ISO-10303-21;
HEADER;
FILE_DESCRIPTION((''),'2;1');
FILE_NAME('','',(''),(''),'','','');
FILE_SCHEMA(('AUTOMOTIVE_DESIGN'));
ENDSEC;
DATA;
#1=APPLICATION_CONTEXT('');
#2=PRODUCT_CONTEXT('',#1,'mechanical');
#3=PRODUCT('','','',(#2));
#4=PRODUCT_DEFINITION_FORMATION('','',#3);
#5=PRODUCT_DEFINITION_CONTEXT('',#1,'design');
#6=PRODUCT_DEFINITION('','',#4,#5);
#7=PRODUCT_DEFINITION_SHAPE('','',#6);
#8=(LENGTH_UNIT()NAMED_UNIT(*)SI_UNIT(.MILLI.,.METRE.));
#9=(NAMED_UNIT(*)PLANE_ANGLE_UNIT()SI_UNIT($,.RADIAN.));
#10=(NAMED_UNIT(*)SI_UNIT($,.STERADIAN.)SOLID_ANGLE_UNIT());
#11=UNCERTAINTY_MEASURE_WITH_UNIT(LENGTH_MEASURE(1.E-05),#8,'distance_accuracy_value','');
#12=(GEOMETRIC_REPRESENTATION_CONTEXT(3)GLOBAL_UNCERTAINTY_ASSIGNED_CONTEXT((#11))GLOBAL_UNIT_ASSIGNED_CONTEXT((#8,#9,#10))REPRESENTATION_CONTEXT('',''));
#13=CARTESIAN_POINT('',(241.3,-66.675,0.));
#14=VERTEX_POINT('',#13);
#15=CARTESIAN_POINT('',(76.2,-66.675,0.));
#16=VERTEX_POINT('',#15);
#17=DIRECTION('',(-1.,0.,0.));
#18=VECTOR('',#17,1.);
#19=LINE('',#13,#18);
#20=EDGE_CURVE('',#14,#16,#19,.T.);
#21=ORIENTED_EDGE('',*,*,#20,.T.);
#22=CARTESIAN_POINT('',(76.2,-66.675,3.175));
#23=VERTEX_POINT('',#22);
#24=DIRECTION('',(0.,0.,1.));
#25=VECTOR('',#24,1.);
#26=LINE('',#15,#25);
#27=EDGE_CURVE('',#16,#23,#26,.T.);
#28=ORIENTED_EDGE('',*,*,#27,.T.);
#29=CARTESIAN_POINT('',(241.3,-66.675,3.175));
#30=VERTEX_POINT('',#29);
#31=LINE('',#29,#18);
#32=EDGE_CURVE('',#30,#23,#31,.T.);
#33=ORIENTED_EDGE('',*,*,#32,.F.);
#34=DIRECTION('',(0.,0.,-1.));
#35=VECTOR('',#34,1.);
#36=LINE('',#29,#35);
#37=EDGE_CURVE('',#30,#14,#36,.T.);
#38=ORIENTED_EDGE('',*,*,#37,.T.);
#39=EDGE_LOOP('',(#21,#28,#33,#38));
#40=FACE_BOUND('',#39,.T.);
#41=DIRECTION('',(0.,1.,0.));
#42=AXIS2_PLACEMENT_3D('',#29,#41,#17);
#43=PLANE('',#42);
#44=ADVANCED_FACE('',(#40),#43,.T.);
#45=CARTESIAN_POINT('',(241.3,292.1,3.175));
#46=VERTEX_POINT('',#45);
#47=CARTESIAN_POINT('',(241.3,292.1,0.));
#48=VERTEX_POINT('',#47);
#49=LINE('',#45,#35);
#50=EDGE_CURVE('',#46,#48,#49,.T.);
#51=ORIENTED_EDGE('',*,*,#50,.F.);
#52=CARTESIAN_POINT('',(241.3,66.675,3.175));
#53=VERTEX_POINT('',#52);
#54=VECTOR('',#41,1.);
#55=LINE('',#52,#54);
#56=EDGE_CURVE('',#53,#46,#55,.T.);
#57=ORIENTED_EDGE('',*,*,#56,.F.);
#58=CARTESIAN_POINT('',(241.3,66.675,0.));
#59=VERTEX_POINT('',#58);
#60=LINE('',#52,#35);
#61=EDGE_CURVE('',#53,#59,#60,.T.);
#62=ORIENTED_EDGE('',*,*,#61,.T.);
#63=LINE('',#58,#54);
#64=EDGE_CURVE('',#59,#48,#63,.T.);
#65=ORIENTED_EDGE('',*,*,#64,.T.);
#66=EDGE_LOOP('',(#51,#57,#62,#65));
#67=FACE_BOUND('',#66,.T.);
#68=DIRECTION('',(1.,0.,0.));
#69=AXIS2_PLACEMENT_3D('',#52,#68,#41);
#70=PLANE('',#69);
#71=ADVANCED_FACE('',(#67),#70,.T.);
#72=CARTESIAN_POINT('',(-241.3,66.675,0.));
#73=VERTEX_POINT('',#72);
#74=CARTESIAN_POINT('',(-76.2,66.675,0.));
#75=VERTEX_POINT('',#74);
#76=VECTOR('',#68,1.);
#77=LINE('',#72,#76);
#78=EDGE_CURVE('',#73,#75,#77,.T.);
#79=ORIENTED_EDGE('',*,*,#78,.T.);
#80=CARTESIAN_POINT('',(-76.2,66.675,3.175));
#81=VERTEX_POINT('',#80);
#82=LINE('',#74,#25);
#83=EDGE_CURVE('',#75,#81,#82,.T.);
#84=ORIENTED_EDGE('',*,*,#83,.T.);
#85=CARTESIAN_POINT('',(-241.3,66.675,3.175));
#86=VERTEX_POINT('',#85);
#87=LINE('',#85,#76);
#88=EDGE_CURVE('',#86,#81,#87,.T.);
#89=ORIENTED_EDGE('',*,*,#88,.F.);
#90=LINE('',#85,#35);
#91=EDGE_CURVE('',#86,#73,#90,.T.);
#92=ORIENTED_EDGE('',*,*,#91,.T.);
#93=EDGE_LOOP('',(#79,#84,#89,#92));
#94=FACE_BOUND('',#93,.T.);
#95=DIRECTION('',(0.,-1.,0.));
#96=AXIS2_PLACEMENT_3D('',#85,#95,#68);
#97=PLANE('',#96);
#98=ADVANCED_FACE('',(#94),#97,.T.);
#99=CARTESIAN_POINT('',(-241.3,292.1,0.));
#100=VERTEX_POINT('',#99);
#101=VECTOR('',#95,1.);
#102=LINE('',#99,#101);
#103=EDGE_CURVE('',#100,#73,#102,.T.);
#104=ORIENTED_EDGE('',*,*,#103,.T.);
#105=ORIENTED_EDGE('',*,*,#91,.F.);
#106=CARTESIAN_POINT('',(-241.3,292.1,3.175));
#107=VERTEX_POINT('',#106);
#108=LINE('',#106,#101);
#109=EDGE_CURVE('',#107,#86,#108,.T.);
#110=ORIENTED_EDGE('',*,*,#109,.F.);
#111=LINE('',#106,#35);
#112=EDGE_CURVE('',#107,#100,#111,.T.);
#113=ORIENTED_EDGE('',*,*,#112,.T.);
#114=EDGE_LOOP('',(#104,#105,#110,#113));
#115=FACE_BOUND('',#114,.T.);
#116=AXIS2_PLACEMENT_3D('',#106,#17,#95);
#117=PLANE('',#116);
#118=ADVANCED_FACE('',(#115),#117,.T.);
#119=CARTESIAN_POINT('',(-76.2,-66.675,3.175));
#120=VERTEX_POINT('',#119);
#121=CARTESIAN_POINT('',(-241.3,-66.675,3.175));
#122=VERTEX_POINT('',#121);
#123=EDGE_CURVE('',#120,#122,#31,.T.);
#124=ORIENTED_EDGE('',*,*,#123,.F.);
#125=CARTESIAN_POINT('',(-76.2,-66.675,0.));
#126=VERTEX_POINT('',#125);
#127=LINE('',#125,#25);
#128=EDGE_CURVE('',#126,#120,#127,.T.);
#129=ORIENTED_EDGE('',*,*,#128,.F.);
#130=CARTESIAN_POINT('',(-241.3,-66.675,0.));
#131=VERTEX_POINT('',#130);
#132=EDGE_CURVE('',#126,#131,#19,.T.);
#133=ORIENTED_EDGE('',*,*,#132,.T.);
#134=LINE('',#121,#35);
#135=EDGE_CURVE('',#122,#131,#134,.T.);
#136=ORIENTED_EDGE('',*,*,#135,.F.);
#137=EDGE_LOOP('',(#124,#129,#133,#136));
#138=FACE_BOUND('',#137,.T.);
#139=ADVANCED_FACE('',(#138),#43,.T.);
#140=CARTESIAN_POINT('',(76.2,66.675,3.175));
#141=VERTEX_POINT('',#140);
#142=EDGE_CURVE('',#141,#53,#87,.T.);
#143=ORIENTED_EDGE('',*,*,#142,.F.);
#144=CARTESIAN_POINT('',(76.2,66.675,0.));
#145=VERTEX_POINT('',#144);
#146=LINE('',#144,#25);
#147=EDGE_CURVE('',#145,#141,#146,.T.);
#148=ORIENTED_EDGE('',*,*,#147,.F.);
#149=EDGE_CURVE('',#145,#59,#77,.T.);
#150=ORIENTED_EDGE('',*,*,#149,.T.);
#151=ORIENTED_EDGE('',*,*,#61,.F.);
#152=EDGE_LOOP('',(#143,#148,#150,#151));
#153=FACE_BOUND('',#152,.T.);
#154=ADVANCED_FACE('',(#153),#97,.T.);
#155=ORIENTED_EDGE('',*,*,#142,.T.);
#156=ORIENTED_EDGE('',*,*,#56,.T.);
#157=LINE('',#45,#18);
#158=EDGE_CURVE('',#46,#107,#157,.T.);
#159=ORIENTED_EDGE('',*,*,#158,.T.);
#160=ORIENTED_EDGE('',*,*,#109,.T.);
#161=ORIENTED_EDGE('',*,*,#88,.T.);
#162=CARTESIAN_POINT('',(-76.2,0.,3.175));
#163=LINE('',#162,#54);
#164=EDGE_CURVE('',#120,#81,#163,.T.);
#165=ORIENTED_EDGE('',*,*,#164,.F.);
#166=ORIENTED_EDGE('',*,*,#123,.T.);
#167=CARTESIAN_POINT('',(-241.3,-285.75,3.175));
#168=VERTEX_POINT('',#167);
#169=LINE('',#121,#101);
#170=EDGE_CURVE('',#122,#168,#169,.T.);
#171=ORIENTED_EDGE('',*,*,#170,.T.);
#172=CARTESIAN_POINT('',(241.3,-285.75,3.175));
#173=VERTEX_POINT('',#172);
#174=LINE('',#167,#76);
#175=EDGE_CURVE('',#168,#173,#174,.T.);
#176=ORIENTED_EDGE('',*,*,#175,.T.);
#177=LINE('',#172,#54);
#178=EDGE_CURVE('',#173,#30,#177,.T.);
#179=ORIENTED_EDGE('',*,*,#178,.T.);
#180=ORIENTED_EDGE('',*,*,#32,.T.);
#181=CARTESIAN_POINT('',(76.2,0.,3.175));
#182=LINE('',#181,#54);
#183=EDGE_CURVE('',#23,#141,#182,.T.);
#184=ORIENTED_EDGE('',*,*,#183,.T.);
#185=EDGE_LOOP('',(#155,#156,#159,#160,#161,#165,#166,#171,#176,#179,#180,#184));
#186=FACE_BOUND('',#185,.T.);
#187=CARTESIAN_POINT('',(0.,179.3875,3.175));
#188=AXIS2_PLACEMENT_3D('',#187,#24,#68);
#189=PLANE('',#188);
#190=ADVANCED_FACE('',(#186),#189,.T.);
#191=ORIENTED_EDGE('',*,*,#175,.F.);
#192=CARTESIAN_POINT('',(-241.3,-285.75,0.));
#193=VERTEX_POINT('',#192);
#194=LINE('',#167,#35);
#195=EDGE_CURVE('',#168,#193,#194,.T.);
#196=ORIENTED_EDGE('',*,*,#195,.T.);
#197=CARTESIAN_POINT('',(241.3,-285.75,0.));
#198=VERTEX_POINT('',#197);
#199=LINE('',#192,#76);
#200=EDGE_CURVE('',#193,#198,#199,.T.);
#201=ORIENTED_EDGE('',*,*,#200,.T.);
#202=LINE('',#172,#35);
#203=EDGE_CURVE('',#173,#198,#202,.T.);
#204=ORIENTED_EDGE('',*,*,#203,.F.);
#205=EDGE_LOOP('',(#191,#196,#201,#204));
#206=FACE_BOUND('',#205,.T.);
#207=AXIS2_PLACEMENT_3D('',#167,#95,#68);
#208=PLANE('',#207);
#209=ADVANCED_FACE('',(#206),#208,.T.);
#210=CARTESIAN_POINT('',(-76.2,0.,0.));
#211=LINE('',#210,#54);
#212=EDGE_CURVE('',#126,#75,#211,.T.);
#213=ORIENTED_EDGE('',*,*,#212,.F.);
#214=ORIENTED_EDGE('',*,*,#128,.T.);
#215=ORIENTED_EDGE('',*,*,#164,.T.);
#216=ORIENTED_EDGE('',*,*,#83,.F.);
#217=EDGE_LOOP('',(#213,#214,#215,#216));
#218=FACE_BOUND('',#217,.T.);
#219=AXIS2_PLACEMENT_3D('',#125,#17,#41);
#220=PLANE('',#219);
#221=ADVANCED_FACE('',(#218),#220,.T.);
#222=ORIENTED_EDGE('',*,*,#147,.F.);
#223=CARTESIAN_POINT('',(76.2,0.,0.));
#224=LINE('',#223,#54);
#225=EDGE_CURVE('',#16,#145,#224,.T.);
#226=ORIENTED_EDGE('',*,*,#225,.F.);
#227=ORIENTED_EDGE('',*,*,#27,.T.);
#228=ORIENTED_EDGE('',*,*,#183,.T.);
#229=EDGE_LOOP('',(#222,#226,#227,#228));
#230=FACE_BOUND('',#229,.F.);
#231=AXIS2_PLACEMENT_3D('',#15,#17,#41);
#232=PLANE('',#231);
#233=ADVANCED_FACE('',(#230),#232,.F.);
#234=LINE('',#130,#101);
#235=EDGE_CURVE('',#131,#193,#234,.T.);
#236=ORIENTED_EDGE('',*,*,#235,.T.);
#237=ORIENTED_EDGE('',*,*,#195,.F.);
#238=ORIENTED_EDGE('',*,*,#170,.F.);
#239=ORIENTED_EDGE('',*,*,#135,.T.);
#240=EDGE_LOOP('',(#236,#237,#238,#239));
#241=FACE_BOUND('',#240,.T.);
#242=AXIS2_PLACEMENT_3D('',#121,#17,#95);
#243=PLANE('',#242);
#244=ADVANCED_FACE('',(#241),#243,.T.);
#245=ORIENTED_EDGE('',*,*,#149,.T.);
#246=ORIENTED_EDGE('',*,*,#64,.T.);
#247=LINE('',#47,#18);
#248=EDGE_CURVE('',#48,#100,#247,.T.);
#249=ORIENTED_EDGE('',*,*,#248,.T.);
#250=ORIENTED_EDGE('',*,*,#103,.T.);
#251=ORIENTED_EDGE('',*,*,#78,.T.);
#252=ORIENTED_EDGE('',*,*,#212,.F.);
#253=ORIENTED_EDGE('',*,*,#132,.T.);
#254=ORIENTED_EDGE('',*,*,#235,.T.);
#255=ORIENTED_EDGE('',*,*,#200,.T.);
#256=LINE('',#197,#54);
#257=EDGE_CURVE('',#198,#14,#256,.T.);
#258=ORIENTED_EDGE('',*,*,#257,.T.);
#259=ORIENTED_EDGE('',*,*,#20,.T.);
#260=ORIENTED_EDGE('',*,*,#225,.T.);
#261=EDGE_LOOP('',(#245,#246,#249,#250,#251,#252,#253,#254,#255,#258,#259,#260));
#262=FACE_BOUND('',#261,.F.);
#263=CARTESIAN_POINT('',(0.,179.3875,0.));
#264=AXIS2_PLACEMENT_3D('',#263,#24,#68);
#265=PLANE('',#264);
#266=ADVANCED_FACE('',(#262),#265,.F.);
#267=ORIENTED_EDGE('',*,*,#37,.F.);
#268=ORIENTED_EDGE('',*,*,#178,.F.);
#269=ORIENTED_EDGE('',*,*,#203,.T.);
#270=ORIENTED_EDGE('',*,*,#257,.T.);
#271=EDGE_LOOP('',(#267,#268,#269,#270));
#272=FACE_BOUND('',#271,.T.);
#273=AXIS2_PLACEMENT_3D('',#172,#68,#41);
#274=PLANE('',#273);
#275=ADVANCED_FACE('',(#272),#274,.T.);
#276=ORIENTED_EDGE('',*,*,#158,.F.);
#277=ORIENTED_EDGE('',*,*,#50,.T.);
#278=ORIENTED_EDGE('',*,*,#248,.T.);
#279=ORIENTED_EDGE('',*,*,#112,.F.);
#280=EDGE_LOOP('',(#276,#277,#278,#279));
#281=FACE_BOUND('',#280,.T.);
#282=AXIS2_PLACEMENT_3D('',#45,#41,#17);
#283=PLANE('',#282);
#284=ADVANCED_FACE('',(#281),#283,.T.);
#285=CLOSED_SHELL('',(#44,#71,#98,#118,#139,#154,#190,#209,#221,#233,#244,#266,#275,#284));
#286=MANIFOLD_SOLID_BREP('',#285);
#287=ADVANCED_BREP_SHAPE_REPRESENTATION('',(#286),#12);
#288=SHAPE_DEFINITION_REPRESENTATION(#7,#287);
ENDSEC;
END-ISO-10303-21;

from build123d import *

# Parameters (mm, degrees)
F0_W     = 152.4
F0_H     = 133.35
F1_DEPTH = 3.175
F3_DEPTH = 3.175


with BuildPart() as f1:
    # F0 (on Top) → F1 (new body)
    with BuildSketch(Plane.XY):
        Rectangle(F0_W, F0_H)
    extrude(amount=F1_DEPTH)

    # F2 (on face) → F3 (join)
    with BuildSketch(Plane.XY.offset(3.175)):
        Polygon((-241.3, 292.1), (-241.3, 66.675), (-76.2, 66.675), (76.2, 66.675), (241.3, 66.675), (241.3, 292.1), align=None)
        Polygon((76.2, -66.675), (-76.2, -66.675), (-241.3, -66.675), (-241.3, -285.75), (241.3, -285.75), (241.3, -66.675), align=None)
    extrude(amount=-F3_DEPTH)


with BuildPart() as f4_1:
    # F4: copy of F1
    add(f1.part)


solid = f1.part
